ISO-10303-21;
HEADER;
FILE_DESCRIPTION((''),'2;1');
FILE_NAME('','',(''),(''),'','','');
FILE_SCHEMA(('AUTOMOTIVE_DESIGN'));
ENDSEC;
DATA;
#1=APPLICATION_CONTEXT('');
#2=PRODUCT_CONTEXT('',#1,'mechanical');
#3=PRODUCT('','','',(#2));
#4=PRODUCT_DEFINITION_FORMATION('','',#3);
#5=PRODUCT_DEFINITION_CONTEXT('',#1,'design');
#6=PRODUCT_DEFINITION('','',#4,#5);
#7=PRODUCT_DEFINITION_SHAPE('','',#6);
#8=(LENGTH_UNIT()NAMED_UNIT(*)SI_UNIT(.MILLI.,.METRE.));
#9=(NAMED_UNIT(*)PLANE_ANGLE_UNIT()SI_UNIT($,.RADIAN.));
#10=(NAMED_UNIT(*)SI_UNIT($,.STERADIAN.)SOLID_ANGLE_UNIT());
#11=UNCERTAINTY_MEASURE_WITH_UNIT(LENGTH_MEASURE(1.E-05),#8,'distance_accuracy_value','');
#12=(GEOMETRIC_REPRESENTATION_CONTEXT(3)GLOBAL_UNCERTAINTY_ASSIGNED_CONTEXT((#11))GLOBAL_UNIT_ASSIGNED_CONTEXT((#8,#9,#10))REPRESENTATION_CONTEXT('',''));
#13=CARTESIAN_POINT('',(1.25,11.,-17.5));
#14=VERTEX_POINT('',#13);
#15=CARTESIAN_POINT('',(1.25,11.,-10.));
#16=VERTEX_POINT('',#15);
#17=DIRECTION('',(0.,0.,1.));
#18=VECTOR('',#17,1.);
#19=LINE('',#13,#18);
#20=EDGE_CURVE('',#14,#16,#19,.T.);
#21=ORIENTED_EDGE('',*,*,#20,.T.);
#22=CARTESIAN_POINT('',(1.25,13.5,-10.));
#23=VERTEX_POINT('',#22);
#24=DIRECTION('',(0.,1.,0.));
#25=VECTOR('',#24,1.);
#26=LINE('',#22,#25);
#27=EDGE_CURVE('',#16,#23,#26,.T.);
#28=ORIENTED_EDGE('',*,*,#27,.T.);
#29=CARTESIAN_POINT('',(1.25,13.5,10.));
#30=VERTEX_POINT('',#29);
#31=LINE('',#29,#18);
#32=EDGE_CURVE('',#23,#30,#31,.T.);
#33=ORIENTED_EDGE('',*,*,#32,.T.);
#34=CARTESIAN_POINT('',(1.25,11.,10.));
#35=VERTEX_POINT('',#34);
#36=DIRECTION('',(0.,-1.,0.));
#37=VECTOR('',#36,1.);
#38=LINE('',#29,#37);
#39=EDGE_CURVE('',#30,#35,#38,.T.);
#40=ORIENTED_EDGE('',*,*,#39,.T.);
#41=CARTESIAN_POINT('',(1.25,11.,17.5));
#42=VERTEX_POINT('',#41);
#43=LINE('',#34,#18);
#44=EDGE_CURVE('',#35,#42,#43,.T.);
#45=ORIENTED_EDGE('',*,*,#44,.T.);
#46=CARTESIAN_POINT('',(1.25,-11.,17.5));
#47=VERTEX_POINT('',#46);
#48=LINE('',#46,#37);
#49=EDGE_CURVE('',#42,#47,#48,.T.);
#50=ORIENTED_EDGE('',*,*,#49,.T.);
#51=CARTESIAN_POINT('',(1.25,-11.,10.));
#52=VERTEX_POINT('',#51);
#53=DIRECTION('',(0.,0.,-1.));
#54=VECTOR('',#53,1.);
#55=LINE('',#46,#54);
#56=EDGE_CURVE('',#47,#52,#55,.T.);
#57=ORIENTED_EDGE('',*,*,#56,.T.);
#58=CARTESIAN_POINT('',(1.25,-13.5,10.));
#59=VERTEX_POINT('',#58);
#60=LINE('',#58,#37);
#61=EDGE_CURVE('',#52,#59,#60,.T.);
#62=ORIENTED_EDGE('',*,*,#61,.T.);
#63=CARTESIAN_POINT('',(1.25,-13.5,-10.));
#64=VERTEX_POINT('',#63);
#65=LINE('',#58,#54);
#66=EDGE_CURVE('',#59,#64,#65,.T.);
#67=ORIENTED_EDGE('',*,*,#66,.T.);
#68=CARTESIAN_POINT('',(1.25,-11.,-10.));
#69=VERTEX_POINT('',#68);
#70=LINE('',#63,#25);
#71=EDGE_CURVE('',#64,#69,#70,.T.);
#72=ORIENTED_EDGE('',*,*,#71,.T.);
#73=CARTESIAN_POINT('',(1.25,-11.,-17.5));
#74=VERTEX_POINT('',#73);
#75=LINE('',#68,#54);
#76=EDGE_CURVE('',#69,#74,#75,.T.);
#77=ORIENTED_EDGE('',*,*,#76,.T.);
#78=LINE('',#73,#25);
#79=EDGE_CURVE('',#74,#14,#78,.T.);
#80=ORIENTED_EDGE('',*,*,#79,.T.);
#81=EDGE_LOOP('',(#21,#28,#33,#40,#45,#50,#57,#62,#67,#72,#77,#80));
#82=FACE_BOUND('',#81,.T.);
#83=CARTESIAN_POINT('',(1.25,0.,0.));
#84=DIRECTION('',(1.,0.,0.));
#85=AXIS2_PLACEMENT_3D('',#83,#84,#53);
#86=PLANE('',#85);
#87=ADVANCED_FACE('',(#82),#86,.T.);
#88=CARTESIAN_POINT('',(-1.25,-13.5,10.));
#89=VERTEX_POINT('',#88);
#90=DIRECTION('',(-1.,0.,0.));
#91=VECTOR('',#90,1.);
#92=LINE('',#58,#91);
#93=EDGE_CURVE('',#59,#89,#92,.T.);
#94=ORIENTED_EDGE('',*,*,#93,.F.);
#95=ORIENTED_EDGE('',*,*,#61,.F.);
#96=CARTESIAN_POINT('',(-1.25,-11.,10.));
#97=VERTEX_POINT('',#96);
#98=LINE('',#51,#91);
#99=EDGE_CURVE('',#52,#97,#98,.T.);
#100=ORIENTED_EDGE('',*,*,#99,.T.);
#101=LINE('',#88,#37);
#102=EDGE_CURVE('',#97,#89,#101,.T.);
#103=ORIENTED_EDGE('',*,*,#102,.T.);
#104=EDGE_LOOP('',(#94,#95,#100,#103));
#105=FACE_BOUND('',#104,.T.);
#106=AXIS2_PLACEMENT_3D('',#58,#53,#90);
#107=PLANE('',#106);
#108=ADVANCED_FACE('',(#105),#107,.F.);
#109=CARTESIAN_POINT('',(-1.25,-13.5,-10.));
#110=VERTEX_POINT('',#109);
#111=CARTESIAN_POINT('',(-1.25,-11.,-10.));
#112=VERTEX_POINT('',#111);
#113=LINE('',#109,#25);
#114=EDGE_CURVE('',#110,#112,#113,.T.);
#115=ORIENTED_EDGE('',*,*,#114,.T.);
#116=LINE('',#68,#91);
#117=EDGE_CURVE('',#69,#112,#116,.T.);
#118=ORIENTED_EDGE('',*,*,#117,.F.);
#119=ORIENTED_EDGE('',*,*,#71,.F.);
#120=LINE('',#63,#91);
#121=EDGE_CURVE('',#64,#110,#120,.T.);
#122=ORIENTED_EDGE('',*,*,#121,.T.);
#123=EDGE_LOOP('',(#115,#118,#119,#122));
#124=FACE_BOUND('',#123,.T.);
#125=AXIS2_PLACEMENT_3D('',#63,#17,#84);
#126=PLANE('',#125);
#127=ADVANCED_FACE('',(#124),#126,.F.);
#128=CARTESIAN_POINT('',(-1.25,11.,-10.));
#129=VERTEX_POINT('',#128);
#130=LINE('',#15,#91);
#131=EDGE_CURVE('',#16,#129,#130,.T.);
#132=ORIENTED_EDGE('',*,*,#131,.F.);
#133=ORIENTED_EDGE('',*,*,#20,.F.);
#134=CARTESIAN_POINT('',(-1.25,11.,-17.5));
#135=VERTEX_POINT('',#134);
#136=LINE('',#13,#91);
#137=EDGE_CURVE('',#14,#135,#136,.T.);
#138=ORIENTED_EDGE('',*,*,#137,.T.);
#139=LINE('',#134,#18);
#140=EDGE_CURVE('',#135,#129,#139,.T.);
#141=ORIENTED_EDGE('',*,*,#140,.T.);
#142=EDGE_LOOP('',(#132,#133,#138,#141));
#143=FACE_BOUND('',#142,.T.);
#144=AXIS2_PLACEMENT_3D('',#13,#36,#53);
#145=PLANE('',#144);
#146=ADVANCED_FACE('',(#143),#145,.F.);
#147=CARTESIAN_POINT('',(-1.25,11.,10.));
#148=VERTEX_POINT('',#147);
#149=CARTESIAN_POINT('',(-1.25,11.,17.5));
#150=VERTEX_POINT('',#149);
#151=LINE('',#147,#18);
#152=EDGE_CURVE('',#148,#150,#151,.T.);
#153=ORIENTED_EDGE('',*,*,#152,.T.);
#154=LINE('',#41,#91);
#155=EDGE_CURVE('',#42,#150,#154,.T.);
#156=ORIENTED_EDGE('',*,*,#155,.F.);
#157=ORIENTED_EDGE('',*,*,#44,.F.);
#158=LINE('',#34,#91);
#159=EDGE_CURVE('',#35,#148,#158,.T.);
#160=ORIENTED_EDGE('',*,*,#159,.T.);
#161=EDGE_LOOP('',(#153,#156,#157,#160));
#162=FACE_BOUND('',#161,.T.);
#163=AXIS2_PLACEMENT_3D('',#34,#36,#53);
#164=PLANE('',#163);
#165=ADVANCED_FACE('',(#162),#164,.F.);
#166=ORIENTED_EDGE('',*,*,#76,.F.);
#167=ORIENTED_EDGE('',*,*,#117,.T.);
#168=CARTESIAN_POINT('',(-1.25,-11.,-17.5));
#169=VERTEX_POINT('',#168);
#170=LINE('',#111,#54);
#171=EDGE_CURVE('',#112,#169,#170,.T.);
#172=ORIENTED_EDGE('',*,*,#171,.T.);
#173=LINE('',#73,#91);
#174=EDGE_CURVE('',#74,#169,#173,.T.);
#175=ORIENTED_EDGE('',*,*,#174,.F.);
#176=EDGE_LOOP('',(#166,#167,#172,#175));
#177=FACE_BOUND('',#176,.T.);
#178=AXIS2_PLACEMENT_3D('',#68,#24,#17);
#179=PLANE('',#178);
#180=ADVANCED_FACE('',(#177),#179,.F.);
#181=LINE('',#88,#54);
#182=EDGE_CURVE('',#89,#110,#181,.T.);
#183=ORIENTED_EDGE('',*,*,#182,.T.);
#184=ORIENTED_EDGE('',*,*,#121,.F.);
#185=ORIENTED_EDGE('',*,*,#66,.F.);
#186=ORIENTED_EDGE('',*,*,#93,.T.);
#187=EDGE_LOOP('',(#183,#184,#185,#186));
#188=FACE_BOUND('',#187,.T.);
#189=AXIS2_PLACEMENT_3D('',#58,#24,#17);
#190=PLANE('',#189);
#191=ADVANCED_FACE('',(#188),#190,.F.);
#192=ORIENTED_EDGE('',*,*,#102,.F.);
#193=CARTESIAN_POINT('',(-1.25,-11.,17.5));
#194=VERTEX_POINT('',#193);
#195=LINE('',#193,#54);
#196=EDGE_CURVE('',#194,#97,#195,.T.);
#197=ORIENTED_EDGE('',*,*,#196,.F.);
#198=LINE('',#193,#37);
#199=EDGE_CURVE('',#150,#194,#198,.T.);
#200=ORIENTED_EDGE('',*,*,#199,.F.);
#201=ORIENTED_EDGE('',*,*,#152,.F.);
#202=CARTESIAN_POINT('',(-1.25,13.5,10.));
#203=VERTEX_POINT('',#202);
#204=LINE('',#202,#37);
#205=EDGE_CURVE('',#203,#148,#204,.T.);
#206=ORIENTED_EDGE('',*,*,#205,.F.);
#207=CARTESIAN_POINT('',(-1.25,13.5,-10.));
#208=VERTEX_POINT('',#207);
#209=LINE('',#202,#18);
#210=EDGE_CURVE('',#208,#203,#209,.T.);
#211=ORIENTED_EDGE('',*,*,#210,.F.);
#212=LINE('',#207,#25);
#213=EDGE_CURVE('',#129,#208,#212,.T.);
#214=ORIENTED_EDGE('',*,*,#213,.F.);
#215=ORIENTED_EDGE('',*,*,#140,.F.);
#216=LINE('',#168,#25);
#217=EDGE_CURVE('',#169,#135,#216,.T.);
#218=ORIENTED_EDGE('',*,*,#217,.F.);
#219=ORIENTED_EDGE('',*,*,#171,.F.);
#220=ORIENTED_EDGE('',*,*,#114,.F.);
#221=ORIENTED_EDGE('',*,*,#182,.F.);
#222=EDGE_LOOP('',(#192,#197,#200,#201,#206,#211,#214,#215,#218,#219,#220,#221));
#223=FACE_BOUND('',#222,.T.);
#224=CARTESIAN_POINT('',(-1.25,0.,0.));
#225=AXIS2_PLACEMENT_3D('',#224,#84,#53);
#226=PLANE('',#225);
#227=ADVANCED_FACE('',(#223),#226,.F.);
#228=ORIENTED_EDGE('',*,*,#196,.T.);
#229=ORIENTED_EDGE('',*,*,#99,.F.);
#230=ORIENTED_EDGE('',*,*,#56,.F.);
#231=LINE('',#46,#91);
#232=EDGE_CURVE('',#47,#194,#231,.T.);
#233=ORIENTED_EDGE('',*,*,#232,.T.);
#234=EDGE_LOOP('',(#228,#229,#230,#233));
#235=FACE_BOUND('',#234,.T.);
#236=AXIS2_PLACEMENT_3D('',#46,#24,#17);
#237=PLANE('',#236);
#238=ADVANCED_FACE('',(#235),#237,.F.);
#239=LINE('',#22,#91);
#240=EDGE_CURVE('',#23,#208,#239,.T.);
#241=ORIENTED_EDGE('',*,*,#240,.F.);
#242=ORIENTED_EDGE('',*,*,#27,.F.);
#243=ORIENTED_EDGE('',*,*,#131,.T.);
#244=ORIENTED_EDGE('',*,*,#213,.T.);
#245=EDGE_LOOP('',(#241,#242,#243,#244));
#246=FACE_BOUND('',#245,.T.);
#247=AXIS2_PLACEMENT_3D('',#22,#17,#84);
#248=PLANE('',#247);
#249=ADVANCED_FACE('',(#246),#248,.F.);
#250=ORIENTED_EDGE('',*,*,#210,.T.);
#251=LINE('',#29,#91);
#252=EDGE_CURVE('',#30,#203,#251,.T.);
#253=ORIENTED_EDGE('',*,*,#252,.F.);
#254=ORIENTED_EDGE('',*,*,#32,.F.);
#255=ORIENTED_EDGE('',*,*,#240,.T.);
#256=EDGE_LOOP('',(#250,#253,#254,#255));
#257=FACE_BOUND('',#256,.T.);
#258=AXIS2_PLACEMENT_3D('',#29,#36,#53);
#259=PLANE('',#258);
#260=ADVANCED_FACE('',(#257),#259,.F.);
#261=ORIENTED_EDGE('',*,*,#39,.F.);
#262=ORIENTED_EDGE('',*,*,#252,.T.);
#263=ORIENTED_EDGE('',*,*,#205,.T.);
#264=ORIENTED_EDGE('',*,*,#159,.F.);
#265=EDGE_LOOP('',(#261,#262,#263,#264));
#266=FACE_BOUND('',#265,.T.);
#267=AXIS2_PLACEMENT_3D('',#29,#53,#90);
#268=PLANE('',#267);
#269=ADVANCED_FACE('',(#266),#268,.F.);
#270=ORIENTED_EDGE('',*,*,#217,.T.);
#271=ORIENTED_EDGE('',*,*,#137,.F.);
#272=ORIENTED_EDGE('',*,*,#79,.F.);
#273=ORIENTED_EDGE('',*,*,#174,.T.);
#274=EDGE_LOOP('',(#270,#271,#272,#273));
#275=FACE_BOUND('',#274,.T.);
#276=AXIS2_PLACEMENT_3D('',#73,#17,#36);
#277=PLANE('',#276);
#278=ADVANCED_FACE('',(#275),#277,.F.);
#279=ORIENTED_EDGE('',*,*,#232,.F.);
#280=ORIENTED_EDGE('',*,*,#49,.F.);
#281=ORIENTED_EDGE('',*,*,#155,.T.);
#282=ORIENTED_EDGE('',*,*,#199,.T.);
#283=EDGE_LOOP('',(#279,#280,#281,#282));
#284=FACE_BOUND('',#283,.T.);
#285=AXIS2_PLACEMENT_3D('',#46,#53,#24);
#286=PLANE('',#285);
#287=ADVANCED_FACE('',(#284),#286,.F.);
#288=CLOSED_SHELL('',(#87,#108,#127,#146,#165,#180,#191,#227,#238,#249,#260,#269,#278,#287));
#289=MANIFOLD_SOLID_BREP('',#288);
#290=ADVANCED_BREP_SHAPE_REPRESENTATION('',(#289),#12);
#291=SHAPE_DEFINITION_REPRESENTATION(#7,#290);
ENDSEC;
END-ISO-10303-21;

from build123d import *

# Parameters (mm, degrees)
BOSS_EXTRUDE1_DEPTH = 1.25


with BuildPart() as part:
    # Sketch1 → Boss-Extrude1 (new, symmetric)
    with BuildSketch(Plane(origin=(0, 0, 0), x_dir=(0, 0, -1), z_dir=(1, 0, 0))):
        Polygon((-17.5, -11), (-17.5, 11), (-10, 11), (-10, 13.5), (10, 13.5), (10, 11), (17.5, 11), (17.5, -11), (10, -11), (10, -13.5), (-10, -13.5), (-10, -11), align=None)
    extrude(amount=BOSS_EXTRUDE1_DEPTH, both=True)


solid = part.part
